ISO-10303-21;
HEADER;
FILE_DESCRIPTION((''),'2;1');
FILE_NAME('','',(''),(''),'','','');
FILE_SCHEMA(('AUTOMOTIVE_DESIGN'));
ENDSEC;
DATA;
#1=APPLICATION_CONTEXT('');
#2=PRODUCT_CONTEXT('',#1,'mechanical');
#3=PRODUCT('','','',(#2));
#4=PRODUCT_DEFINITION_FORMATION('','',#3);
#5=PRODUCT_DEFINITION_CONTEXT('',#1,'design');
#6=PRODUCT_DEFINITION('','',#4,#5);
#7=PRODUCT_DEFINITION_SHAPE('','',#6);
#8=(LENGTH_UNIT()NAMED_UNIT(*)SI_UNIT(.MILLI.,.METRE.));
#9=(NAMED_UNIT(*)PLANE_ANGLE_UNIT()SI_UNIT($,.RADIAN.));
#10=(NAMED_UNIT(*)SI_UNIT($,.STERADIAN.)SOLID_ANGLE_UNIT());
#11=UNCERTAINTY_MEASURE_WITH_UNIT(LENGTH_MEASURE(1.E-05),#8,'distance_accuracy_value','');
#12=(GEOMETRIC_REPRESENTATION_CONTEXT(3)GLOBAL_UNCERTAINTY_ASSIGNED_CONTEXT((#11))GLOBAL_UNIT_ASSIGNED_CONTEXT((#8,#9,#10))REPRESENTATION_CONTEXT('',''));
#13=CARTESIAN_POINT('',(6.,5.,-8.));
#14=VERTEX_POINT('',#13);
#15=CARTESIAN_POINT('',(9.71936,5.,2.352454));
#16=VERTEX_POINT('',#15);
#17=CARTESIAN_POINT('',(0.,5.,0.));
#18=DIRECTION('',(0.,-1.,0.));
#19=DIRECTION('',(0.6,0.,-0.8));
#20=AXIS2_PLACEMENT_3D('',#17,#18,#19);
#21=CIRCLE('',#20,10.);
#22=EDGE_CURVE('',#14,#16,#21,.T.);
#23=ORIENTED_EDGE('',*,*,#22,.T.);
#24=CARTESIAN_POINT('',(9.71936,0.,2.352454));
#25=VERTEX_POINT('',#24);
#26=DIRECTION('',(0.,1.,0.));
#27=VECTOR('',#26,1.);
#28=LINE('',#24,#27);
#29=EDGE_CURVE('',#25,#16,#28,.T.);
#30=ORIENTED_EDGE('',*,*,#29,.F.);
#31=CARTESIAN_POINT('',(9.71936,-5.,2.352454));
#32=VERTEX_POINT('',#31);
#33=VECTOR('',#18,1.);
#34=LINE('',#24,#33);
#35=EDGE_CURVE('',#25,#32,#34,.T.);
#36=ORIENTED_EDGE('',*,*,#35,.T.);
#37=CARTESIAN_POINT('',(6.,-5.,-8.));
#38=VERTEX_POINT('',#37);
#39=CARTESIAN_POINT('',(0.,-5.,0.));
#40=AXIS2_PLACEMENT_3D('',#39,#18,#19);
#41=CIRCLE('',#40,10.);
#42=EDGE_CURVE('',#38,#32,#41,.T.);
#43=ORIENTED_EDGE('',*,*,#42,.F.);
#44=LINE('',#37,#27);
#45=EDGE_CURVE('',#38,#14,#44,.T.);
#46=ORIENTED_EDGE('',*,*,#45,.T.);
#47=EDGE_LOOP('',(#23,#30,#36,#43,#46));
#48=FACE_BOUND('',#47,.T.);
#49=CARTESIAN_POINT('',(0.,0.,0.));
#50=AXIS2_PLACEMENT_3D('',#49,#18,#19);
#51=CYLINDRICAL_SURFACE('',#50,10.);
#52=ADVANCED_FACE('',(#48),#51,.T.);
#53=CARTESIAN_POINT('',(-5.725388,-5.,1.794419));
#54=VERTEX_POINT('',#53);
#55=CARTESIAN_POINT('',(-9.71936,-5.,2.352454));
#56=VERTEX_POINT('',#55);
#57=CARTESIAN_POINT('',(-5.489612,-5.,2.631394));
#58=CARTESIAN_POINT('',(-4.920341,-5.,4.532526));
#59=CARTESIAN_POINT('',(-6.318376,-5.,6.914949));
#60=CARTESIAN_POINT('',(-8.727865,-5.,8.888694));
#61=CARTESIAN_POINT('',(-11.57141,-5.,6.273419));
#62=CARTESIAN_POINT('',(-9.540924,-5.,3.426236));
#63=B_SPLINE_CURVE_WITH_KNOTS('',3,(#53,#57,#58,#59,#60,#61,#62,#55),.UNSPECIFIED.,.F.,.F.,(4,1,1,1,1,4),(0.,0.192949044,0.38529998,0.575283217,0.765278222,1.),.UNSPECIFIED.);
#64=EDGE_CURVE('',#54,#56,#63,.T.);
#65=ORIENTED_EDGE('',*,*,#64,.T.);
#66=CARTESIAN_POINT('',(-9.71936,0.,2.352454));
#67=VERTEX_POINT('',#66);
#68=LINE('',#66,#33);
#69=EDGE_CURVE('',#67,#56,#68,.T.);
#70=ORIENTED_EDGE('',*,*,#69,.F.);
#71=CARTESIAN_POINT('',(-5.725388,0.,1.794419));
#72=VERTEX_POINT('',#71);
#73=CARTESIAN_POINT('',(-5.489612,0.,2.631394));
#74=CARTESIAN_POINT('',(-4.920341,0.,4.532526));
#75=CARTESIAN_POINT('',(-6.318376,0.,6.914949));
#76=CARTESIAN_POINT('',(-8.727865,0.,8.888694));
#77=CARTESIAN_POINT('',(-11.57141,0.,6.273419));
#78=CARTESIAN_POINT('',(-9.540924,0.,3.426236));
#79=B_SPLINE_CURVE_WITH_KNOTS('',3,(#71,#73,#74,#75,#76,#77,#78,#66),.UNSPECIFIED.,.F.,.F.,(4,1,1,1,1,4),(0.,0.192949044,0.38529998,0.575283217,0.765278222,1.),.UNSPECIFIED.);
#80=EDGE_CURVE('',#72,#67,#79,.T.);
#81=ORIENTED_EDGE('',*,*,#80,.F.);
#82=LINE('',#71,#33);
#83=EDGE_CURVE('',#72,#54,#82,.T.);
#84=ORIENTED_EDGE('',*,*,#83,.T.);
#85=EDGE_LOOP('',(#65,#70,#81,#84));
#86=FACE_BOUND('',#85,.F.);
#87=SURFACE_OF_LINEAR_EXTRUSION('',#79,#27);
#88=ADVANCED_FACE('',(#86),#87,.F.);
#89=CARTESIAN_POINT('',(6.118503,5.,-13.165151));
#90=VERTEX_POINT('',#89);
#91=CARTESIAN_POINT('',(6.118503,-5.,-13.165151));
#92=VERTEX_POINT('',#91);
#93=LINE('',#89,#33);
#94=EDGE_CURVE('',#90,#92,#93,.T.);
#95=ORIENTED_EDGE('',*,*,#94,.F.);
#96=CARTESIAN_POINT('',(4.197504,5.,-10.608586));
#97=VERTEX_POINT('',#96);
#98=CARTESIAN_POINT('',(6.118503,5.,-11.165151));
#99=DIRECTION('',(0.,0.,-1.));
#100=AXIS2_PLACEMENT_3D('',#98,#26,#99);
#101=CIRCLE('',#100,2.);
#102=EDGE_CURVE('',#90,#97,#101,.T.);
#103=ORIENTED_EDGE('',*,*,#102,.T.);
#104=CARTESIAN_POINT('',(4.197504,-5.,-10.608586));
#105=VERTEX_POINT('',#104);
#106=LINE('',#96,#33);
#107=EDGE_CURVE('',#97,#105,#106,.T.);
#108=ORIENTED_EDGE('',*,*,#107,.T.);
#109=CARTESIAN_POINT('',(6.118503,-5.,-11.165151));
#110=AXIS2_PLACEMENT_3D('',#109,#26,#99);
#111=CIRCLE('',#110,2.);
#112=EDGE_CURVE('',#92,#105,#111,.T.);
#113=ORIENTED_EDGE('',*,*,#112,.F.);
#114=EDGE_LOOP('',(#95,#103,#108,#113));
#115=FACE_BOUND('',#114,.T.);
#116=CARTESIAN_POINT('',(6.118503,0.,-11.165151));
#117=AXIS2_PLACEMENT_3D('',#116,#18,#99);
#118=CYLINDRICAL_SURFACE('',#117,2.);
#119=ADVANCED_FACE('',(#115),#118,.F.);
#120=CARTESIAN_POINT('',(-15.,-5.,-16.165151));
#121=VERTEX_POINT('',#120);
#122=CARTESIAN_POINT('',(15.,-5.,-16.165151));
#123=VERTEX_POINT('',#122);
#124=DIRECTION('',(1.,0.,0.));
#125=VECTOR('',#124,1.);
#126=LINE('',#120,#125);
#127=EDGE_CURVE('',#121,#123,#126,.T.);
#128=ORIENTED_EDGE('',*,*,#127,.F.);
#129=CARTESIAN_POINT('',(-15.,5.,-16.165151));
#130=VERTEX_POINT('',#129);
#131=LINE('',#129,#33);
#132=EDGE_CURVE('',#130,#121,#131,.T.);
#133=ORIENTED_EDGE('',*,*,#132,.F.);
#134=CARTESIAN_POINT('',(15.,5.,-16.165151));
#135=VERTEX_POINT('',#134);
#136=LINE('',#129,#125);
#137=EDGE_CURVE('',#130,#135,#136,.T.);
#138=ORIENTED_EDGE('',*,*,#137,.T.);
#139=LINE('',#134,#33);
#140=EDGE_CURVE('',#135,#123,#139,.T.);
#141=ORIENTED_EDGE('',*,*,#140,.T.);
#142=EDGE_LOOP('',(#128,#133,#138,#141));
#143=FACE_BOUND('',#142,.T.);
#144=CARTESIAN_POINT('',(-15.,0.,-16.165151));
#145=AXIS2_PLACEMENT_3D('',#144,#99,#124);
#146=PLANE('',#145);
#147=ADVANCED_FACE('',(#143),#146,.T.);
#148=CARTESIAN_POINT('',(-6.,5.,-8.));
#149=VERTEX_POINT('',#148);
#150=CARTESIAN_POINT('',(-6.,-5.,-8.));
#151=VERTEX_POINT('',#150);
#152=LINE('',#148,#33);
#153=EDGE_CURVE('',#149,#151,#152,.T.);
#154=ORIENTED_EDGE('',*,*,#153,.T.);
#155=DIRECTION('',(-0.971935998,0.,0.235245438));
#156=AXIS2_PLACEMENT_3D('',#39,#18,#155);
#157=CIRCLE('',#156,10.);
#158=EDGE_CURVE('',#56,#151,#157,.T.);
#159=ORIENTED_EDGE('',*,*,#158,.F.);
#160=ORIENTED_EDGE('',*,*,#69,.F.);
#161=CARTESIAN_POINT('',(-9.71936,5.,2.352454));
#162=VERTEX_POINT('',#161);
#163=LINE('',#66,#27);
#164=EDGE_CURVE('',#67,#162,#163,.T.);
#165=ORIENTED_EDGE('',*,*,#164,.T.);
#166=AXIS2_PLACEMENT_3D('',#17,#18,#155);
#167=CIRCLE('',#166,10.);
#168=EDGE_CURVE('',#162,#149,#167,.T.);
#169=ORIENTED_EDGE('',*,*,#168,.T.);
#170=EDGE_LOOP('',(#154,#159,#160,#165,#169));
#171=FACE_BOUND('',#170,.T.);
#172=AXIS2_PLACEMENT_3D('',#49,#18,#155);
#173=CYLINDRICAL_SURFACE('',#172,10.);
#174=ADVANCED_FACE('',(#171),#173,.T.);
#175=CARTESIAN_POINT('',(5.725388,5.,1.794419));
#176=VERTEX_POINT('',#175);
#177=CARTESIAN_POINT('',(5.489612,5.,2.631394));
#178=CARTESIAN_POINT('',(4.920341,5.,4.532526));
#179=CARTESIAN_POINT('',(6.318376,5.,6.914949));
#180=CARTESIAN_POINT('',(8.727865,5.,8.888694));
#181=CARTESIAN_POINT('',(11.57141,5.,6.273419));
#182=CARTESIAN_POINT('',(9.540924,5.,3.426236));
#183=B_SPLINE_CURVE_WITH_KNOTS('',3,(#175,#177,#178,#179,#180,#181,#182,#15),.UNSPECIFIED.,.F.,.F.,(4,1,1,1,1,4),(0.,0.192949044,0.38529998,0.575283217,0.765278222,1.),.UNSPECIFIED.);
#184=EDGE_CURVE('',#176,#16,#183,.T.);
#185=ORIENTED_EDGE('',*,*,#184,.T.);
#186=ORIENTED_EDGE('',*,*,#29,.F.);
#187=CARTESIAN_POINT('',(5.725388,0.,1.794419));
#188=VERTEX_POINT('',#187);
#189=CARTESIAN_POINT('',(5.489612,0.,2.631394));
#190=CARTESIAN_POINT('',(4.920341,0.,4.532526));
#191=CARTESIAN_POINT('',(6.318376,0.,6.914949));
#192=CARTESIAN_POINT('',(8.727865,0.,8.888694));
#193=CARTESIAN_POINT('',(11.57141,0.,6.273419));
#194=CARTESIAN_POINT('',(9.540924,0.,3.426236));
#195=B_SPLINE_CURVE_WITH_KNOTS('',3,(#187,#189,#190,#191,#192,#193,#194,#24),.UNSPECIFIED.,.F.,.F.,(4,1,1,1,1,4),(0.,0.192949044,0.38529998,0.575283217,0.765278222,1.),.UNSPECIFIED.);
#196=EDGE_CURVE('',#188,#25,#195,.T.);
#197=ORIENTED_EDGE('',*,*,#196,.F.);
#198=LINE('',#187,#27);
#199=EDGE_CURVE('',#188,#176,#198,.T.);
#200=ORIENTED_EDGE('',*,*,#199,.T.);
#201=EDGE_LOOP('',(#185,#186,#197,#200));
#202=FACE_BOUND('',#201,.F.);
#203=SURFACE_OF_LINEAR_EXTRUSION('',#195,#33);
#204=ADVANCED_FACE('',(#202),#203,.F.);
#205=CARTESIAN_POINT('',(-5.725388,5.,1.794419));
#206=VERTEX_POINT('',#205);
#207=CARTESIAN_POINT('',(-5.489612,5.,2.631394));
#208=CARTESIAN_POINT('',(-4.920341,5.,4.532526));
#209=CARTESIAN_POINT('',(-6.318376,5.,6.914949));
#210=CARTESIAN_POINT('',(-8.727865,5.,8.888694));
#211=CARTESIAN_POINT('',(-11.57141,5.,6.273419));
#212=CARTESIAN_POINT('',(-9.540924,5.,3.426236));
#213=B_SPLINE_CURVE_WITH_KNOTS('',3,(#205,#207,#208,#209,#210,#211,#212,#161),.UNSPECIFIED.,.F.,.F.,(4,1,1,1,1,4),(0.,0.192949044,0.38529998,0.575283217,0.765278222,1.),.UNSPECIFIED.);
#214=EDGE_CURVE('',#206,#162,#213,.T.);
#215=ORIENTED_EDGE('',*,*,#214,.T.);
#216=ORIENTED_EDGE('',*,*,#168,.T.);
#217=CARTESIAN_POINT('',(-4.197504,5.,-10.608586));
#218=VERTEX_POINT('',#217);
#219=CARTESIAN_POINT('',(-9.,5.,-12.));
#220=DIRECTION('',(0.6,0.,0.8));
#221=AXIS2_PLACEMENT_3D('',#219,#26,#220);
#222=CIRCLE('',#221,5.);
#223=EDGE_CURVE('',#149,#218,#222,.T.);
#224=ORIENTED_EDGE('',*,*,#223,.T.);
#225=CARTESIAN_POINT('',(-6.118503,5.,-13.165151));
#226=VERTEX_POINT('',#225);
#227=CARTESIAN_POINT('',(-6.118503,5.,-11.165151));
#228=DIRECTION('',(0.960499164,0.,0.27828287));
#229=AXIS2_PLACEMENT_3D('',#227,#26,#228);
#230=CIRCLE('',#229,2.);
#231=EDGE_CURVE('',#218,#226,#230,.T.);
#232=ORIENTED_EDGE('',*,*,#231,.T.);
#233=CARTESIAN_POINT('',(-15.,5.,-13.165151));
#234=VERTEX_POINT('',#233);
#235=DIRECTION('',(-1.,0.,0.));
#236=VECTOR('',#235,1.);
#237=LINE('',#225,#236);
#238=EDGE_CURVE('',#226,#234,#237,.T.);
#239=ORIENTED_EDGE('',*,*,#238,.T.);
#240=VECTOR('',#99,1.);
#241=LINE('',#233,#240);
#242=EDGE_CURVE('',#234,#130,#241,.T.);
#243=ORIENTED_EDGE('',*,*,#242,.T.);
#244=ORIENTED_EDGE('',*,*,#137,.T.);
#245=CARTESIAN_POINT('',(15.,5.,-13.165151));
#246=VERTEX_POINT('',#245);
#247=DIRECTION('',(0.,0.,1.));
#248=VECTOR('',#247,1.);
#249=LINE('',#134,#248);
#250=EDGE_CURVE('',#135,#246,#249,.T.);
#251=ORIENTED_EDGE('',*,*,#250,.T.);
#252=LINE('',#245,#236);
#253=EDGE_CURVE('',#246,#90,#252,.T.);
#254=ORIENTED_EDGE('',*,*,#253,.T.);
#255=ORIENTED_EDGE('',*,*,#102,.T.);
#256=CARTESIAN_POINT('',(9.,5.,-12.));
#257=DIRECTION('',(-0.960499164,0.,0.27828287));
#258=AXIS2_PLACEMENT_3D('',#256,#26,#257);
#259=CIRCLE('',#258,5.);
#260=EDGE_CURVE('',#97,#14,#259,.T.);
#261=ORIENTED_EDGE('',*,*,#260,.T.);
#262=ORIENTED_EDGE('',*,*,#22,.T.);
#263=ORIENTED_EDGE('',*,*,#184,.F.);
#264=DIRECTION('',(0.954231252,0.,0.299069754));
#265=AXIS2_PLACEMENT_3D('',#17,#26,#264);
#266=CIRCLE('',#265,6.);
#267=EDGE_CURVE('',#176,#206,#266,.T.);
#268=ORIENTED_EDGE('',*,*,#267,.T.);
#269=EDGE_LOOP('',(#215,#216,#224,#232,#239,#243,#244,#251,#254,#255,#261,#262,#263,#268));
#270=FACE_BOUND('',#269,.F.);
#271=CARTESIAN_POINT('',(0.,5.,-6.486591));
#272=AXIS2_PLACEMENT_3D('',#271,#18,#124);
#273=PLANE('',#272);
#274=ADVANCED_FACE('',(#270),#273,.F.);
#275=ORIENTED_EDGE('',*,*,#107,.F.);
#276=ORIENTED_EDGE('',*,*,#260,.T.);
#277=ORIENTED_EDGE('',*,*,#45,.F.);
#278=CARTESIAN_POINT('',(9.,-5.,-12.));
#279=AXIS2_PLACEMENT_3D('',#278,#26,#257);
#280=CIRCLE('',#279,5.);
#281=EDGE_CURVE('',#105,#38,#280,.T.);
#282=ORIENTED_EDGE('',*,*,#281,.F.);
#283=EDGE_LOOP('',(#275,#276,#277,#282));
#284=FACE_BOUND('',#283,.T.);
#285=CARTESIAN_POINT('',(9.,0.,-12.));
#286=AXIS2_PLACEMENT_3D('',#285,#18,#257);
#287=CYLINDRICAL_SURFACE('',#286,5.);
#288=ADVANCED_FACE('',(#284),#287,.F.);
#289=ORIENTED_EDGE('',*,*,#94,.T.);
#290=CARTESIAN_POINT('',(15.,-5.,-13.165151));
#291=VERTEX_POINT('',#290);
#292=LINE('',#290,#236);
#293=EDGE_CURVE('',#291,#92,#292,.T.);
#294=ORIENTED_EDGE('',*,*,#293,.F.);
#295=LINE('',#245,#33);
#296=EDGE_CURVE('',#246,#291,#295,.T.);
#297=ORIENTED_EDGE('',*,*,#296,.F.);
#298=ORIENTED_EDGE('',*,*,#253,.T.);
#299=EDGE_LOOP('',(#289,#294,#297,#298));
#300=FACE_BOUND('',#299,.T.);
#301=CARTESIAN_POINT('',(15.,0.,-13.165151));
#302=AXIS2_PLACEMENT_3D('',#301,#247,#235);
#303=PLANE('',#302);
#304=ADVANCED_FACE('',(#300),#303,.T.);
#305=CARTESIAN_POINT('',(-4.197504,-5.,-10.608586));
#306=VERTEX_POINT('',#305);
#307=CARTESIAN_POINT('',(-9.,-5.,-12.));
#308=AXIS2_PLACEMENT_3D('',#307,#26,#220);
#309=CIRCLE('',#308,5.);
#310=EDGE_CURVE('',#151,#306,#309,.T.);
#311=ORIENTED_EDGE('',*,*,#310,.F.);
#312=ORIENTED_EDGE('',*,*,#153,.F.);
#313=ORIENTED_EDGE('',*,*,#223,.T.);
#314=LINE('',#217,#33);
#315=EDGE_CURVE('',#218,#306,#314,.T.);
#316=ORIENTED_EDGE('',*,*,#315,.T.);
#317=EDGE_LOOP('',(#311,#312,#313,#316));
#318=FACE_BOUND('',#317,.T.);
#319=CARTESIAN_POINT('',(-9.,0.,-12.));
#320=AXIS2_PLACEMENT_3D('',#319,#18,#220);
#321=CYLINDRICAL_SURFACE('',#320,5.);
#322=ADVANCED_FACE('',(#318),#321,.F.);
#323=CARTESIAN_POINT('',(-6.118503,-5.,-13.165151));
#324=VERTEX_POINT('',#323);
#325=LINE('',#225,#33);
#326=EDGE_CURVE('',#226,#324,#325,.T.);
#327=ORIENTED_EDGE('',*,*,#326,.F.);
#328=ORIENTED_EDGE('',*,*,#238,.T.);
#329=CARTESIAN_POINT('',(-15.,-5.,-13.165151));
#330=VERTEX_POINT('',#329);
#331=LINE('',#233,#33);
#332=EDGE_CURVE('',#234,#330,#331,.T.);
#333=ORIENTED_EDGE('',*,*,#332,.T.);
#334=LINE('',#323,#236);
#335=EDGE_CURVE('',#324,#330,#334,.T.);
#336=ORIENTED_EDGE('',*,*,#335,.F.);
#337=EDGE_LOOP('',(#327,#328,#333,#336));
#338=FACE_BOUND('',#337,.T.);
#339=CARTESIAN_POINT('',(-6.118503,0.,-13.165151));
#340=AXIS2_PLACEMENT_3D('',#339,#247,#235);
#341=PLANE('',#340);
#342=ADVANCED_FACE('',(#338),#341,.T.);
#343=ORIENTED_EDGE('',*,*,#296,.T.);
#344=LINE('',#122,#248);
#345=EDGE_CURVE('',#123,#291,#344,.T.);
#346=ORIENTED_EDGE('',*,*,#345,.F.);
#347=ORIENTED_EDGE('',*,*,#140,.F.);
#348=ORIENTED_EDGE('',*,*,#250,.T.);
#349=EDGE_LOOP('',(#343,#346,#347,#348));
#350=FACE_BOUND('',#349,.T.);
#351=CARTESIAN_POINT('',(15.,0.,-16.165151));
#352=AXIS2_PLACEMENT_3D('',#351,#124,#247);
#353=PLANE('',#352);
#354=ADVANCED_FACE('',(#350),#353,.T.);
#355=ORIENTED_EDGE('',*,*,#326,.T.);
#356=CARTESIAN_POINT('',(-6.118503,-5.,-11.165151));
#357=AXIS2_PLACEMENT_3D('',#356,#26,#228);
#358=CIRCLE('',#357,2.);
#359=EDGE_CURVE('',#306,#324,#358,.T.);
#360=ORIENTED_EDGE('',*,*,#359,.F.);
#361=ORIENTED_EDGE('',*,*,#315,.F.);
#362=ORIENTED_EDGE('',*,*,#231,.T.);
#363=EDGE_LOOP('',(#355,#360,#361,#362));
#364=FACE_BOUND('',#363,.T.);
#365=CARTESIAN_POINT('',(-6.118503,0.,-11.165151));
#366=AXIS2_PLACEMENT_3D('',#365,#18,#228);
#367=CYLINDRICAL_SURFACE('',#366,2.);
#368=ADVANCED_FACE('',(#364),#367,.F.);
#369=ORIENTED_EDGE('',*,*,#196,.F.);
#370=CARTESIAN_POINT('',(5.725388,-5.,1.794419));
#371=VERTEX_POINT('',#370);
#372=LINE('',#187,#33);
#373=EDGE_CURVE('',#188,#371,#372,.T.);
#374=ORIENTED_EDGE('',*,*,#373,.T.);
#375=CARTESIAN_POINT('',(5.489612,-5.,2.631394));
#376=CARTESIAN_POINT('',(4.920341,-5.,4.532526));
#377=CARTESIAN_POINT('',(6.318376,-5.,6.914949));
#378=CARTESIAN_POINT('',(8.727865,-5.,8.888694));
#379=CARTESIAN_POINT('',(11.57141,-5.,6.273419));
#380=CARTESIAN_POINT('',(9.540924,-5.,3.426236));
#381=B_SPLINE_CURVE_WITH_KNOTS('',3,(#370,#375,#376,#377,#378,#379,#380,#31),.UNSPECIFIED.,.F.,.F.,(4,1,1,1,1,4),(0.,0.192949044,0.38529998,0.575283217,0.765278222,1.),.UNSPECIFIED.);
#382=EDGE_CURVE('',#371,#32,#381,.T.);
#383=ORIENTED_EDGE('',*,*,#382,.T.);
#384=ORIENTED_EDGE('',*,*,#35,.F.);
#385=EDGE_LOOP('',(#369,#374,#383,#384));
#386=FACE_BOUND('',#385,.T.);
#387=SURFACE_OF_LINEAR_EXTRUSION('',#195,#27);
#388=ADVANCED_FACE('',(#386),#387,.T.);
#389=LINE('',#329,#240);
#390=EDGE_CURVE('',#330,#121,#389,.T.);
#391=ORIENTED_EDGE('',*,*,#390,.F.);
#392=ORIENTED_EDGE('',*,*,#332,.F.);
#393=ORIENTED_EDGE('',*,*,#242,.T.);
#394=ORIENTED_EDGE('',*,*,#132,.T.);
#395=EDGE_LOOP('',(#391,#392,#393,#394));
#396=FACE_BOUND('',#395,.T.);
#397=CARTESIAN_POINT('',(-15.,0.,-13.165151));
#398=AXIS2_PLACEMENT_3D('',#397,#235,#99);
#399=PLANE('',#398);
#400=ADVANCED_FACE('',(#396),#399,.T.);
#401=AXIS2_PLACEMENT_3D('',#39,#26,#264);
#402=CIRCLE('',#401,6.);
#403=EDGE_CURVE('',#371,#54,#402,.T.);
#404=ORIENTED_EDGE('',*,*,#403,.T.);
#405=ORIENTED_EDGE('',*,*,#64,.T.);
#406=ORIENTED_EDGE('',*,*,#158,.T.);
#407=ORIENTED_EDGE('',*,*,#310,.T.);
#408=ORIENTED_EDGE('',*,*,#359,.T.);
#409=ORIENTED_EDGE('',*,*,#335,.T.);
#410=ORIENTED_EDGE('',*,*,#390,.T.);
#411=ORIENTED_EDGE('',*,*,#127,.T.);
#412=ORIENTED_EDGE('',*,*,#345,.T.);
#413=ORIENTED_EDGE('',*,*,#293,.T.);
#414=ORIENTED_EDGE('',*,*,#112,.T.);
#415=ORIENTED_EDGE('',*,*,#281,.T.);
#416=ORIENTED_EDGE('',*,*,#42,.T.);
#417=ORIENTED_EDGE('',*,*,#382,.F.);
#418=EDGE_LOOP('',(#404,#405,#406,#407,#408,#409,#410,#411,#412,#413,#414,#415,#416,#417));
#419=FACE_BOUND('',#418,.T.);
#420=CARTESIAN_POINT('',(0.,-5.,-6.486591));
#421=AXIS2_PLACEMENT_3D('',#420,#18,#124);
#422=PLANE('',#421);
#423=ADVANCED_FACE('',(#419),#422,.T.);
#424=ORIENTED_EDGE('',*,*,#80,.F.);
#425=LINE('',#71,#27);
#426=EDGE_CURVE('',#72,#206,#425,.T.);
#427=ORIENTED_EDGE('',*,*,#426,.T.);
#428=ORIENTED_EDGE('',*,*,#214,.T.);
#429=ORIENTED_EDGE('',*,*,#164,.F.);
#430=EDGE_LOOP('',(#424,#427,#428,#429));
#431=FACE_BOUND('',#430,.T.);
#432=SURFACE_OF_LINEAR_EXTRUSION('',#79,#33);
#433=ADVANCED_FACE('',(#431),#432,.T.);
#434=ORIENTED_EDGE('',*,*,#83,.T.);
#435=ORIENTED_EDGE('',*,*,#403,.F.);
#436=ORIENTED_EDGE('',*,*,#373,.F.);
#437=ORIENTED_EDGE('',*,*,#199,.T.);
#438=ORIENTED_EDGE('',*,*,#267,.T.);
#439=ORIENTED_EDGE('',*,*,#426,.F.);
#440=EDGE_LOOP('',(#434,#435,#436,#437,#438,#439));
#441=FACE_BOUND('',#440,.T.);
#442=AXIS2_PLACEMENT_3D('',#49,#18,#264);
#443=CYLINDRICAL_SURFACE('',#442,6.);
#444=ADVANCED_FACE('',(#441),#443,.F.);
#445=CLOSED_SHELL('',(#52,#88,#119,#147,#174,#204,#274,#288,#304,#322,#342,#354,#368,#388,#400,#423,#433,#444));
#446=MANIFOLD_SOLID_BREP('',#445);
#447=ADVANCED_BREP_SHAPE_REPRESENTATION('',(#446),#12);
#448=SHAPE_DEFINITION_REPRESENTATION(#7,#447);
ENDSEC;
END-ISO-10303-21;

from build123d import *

# Parameters (mm, degrees)
F1_DEPTH = 5


with BuildPart() as f1:
    # F0 (on Front) → F1 (new body, symmetric)
    with BuildSketch(Plane.XZ):
        with BuildLine():
            ThreePointArc((5.7253875111, 1.7944185263), (0, -6), (-5.7253875111, 1.7944185263))
            add(Edge.make_bspline(
                [(-5.7253875111, 1.7944185263), (-5.4896120762, 2.6313944905), (-4.9203405683, 4.5325264765), (-6.318376289, 6.9149490158), (-8.7278646291, 8.8886942635), (-11.5714100569, 6.2734194076), (-9.5409241578, 3.4262358193), (-9.7193599773, 2.3524543848)],
                knots=[0, 0, 0, 0, 0.1929490437, 0.3852999795, 0.5752832174, 0.7652782217, 1, 1, 1, 1], degree=3))
            ThreePointArc((-9.7193599773, 2.3524543848), (-9.4110518791, -3.3811392354), (-6, -8))
            ThreePointArc((-6, -8), (-4.8864960155, -9.1576268772), (-4.1975041795, -10.6085856499))
            ThreePointArc((-4.1975041795, -10.6085856499), (-4.5195760741, -12.3665814794), (-6.1185025077, -13.1651513899))
            Line((-6.1185025077, -13.1651513899), (-15, -13.1651513899))
            Line((-15, -13.1651513899), (-15, -16.1651513899))
            Line((-15, -16.1651513899), (15, -16.1651513899))
            Line((15, -16.1651513899), (15, -13.1651513899))
            Line((15, -13.1651513899), (6.1185025077, -13.1651513899))
            ThreePointArc((6.1185025077, -13.1651513899), (4.5195760741, -12.3665814794), (4.1975041795, -10.6085856499))
            ThreePointArc((4.1975041795, -10.6085856499), (4.8864960155, -9.1576268772), (6, -8))
            ThreePointArc((6, -8), (9.4110518791, -3.3811392354), (9.7193599773, 2.3524543848))
            add(Edge.make_bspline(
                [(5.7253875111, 1.7944185263), (5.4896120762, 2.6313944905), (4.9203405683, 4.5325264765), (6.318376289, 6.9149490158), (8.7278646291, 8.8886942635), (11.5714100569, 6.2734194076), (9.5409241578, 3.4262358193), (9.7193599773, 2.3524543848)],
                knots=[0, 0, 0, 0, 0.1929490437, 0.3852999795, 0.5752832174, 0.7652782217, 1, 1, 1, 1], degree=3))
        make_face()
    extrude(amount=F1_DEPTH, both=True)


solid = f1.part
